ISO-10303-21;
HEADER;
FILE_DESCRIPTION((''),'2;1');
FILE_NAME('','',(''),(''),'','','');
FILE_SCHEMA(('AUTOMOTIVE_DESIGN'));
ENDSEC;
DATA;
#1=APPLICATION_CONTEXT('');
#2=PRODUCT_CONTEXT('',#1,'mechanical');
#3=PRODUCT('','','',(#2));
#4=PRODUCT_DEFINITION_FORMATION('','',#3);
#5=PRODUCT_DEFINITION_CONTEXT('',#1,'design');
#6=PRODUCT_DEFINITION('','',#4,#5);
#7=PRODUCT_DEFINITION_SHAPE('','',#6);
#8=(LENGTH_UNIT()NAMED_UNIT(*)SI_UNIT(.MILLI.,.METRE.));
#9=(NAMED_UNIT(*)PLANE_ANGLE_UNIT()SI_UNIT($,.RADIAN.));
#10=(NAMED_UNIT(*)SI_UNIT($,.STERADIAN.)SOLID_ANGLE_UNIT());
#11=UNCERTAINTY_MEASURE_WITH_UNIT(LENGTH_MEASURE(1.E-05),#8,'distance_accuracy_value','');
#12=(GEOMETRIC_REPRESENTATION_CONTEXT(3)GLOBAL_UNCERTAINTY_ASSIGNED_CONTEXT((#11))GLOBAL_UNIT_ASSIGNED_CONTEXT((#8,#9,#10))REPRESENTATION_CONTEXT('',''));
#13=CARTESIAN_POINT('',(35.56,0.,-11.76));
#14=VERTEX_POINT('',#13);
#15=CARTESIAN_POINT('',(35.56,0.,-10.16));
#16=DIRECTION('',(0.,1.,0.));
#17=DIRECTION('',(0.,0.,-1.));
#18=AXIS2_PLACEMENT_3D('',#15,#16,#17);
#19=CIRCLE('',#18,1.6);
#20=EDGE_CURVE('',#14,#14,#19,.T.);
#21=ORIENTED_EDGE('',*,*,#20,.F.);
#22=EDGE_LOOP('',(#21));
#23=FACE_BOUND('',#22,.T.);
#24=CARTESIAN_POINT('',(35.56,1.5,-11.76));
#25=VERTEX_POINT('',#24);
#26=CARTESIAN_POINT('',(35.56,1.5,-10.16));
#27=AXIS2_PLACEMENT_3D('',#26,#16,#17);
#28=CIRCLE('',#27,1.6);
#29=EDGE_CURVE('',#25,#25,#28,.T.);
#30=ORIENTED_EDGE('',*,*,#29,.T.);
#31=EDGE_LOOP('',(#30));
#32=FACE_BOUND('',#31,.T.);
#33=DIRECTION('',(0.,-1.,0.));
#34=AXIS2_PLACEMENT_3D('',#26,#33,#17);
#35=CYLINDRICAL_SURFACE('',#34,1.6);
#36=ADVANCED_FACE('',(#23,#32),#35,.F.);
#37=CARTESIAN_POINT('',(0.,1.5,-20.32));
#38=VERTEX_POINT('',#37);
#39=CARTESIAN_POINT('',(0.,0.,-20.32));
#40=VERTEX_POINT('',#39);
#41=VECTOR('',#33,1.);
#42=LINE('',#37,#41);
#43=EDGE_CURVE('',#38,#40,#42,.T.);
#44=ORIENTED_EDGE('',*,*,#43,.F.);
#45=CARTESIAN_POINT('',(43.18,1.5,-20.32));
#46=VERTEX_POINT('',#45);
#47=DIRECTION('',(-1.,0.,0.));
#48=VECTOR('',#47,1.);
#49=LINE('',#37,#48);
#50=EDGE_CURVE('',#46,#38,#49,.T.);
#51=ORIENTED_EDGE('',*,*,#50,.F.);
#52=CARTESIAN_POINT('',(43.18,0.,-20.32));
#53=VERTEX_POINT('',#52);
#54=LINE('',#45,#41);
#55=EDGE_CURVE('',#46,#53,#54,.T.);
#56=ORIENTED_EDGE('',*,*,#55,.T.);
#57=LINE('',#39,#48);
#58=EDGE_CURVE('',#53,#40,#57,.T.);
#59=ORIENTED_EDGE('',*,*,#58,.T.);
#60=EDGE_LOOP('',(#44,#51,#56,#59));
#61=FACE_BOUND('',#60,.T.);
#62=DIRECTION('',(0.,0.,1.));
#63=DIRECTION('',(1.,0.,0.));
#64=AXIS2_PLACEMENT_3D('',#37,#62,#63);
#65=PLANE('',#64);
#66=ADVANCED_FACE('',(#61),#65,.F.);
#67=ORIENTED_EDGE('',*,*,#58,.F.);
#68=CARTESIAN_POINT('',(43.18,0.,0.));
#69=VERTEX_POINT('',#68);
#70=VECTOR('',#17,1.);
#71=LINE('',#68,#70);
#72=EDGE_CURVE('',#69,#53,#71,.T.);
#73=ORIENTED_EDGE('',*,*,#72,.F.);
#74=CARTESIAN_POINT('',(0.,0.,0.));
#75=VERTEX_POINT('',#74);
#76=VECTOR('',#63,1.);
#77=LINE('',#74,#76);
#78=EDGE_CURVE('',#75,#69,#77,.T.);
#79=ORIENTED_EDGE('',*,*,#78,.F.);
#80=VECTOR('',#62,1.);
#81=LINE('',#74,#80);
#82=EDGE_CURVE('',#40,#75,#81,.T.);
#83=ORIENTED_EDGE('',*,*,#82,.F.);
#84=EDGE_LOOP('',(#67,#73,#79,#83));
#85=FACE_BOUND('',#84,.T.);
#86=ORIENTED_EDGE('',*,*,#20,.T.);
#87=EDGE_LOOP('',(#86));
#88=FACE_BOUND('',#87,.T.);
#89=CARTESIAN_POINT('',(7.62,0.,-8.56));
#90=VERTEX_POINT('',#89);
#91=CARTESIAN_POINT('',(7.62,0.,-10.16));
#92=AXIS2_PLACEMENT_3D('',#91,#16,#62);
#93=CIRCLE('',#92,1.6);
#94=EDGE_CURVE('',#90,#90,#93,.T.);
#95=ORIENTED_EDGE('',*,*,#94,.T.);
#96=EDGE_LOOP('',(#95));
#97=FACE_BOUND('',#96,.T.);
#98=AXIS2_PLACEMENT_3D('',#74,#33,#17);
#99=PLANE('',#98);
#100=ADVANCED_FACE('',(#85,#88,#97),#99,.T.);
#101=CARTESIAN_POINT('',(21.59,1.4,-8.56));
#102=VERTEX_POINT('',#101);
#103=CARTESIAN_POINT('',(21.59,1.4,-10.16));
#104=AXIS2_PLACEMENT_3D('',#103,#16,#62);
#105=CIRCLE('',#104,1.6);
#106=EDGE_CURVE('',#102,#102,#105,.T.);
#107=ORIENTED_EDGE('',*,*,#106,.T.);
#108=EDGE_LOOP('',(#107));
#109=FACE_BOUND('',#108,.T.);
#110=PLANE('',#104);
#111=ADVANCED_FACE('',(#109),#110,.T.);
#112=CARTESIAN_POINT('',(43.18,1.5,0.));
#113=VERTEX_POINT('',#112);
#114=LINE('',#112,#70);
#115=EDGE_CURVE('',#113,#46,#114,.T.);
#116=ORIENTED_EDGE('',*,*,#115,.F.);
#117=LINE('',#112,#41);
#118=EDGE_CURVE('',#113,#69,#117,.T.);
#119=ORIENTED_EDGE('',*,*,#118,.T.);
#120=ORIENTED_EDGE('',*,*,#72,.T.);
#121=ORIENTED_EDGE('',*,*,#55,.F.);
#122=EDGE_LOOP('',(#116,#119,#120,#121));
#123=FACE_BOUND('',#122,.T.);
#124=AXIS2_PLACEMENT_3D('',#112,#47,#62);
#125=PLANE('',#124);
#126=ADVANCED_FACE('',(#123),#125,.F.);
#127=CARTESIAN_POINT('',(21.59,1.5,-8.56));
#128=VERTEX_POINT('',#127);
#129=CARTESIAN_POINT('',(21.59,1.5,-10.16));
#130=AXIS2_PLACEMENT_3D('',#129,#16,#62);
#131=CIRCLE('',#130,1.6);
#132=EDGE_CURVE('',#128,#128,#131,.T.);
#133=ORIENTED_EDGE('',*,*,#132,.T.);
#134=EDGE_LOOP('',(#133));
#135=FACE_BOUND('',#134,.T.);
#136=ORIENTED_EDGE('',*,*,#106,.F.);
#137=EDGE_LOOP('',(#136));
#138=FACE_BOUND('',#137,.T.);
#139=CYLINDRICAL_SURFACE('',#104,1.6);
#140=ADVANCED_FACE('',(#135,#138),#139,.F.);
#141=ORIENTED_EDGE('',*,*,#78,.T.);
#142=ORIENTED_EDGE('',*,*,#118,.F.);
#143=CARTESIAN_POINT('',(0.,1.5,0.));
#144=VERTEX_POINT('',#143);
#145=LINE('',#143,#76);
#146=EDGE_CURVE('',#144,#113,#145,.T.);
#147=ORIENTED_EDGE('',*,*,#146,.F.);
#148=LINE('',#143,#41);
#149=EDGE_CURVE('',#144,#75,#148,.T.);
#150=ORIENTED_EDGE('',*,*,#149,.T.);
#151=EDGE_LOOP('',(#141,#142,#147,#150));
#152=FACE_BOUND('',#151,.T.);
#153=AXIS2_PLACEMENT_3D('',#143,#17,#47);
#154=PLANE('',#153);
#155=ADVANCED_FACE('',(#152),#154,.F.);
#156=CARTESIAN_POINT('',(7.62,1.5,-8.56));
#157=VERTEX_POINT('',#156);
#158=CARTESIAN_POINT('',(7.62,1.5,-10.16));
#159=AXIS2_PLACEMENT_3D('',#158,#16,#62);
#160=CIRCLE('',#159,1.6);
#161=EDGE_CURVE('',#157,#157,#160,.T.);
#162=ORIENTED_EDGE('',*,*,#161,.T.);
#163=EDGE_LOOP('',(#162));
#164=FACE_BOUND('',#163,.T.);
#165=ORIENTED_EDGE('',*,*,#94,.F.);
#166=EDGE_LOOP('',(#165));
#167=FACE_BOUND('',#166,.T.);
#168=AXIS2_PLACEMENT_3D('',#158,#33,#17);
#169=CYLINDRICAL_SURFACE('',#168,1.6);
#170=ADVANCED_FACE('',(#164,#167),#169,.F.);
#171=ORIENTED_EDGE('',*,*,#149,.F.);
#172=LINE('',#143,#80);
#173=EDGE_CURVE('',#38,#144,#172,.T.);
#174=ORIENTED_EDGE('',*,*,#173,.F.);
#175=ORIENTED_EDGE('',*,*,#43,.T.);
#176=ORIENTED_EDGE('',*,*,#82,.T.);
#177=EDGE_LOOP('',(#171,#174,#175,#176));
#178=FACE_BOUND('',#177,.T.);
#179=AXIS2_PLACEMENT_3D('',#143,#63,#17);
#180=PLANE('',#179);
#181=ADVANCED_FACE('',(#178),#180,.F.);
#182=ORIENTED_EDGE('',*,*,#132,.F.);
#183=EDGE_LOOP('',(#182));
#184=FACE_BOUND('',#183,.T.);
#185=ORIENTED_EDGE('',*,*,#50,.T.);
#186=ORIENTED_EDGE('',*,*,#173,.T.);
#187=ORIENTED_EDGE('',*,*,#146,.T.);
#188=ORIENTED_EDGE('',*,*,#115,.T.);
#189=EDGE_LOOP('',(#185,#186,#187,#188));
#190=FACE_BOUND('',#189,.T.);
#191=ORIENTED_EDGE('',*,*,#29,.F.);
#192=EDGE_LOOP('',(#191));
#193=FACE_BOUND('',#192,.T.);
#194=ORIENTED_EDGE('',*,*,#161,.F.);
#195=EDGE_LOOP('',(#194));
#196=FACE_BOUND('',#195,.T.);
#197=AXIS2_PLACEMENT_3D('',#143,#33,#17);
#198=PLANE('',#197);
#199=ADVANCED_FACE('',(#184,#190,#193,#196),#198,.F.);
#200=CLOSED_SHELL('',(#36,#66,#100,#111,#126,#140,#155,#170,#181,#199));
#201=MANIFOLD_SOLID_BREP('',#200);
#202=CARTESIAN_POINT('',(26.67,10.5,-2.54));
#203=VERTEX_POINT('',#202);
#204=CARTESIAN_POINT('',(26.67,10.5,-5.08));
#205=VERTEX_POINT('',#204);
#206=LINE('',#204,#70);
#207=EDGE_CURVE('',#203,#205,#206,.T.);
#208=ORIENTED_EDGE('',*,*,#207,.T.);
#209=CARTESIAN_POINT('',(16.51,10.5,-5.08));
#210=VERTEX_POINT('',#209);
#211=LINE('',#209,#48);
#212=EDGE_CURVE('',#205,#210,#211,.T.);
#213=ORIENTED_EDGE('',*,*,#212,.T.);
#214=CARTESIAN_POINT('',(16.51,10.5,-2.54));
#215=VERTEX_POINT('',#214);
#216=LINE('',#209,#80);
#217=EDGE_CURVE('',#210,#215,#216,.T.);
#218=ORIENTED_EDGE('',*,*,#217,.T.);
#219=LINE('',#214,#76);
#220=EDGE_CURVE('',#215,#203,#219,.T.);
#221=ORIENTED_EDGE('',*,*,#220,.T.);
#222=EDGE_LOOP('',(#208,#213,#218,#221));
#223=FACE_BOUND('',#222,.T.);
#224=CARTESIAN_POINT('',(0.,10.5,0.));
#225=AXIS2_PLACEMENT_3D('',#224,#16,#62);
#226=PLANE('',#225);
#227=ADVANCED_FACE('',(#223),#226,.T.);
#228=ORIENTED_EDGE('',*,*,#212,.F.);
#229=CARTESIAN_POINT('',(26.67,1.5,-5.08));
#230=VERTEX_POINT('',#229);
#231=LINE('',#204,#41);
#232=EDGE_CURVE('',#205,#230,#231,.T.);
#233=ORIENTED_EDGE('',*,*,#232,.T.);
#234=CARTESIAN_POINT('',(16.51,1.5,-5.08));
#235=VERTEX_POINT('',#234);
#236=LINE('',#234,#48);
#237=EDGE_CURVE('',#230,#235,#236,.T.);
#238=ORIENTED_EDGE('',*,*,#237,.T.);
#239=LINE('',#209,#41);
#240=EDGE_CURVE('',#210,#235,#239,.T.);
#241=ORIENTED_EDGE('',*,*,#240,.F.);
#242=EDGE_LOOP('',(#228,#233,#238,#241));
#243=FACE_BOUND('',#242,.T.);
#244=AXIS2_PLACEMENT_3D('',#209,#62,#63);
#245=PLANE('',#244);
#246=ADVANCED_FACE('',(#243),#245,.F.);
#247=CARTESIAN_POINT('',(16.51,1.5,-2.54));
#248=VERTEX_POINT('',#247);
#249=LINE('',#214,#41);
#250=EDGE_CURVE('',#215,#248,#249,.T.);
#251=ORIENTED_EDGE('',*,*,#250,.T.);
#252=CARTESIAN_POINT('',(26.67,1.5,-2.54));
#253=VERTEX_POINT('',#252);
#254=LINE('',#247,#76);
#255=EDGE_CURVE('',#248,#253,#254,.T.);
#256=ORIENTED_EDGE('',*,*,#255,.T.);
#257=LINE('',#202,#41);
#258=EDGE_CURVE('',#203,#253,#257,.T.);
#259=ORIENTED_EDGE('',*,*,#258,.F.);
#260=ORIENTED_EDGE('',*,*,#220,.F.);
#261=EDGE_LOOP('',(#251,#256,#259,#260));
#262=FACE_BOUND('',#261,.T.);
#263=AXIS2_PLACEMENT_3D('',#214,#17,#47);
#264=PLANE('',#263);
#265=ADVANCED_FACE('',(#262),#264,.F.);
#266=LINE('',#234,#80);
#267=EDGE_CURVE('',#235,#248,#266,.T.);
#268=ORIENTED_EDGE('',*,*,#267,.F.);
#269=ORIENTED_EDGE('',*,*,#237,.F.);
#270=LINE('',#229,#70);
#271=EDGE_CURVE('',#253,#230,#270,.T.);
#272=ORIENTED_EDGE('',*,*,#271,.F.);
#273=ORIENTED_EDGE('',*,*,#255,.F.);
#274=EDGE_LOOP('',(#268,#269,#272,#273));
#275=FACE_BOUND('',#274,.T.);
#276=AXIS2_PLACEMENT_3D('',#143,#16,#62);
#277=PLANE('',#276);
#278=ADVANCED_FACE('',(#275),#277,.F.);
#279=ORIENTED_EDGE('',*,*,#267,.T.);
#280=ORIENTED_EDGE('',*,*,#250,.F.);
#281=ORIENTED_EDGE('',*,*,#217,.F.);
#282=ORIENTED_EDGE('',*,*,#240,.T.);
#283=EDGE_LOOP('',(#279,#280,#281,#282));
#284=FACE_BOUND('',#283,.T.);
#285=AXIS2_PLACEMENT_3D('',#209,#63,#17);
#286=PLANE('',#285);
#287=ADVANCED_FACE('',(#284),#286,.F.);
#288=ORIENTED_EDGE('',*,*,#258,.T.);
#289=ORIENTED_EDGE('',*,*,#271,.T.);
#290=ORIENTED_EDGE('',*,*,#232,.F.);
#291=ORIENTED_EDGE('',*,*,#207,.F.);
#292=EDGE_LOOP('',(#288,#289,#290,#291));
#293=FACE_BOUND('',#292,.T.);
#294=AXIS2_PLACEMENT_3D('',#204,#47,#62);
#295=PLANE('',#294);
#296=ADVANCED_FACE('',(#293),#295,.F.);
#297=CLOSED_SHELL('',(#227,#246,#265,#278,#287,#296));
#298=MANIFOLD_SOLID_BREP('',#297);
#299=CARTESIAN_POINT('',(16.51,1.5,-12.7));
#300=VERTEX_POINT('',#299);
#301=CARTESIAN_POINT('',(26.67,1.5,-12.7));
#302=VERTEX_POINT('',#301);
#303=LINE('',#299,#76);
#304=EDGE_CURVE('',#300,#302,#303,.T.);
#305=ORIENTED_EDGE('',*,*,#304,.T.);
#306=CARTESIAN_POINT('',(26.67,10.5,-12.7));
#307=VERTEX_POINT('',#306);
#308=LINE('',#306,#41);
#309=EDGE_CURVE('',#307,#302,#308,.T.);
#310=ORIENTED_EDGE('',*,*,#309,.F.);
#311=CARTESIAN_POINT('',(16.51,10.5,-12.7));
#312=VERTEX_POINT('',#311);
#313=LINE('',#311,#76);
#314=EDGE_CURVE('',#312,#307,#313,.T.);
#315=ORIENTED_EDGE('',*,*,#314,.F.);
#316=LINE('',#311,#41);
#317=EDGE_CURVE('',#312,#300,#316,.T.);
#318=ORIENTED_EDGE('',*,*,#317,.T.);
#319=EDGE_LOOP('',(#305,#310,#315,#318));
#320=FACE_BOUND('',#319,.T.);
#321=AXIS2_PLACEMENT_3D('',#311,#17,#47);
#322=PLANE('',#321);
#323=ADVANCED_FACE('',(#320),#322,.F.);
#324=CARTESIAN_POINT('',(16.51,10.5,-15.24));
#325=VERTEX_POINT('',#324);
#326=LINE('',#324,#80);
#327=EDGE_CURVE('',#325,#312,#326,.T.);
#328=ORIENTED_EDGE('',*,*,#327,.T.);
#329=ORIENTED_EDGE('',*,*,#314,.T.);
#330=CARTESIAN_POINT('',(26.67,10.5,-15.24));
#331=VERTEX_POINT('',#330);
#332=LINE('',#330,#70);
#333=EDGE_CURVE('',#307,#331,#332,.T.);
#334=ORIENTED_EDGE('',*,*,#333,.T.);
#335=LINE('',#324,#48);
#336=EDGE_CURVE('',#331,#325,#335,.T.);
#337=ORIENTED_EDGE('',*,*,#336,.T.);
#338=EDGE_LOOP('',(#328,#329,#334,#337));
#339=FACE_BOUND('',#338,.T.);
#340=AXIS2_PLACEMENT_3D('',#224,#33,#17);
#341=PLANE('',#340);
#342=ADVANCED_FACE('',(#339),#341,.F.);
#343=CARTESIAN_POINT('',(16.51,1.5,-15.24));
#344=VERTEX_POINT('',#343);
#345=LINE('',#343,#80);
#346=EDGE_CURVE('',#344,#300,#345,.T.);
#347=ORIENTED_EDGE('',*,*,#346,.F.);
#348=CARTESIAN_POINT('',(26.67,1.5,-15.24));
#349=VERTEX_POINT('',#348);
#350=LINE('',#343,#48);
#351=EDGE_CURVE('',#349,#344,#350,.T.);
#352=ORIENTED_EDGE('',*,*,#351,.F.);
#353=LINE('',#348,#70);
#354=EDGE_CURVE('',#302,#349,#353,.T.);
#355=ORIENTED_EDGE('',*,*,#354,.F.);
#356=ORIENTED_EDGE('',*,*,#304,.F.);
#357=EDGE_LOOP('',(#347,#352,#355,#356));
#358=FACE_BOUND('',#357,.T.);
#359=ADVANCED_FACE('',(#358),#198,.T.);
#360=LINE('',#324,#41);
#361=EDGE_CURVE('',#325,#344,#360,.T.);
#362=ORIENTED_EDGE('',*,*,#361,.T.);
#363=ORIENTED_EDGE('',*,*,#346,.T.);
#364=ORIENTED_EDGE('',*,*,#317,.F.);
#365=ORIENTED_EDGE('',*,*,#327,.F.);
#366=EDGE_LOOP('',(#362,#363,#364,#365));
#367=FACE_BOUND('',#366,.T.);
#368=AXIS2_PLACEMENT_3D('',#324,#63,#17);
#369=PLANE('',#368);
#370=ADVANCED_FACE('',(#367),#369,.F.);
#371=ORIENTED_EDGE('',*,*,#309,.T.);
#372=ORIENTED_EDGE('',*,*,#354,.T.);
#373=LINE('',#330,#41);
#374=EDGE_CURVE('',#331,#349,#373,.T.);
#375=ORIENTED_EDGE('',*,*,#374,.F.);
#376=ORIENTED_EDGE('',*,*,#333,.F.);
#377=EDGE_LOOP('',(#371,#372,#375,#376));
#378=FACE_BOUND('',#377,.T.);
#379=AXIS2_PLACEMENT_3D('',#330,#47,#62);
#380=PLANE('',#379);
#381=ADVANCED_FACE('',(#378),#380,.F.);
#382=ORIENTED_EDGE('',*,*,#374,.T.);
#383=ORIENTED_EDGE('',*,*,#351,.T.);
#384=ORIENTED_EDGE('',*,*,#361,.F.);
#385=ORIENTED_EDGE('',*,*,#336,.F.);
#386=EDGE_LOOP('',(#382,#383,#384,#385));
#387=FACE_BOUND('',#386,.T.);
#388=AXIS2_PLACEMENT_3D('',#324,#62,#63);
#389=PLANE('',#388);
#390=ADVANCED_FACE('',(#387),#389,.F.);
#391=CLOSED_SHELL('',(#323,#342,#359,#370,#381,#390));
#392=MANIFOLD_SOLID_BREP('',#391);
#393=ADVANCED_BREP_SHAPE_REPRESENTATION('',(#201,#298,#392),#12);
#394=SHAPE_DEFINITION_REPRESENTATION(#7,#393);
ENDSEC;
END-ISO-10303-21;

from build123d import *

# Parameters (mm, degrees)
SKETCH1_W             = 43.18
SKETCH1_H             = 20.32
SKETCH1_R             = 1.6
BOSS_EXTRUDE1_DEPTH   = 1.5
SKETCH2_W             = 10.16
SKETCH2_H             = 2.54
BOSS_EXTRUDE2_DEPTH   = 9
BOSS_EXTRUDE2_2_DEPTH = 9
SKETCH5_R             = 1.6
CUT_EXTRUDE1_DEPTH    = 0.1


with BuildPart() as part:
    # Sketch1 → Boss-Extrude1 (new body)
    with BuildSketch(Plane(origin=(0, 0, 0), x_dir=(1, 0, 0), z_dir=(0, 1, 0))):
        with Locations((21.59, 10.16)):
            Rectangle(SKETCH1_W, SKETCH1_H)
        with Locations((7.62, 10.16)):
            Circle(SKETCH1_R, mode=Mode.SUBTRACT)
        with Locations((35.56, 10.16)):
            Circle(SKETCH1_R, mode=Mode.SUBTRACT)
    extrude(amount=BOSS_EXTRUDE1_DEPTH)

    # Sketch5 → Cut-Extrude1 (cut)
    with BuildSketch(Plane(origin=(0, 1.5, 0), x_dir=(1, 0, 0), z_dir=(0, 1, 0))):
        with Locations((21.59, 10.16)):
            Circle(SKETCH5_R)
    extrude(amount=-CUT_EXTRUDE1_DEPTH, mode=Mode.SUBTRACT)


with BuildPart() as body_2:
    # Sketch2 → Boss-Extrude2 (new body)
    with BuildSketch(Plane(origin=(0, 1.5, 0), x_dir=(1, 0, 0), z_dir=(0, 1, 0))):
        with Locations((21.59, 3.81)):
            Rectangle(SKETCH2_W, SKETCH2_H)
    extrude(amount=BOSS_EXTRUDE2_DEPTH)


with BuildPart() as body_3:
    # Sketch2 → Boss-Extrude2 2 (new body)
    with BuildSketch(Plane(origin=(0, 1.5, 0), x_dir=(1, 0, 0), z_dir=(0, 1, 0))):
        with Locations((21.59, 13.97)):
            Rectangle(SKETCH2_W, SKETCH2_H)
    extrude(amount=BOSS_EXTRUDE2_2_DEPTH)


solid = Compound([part.part, body_2.part, body_3.part])
